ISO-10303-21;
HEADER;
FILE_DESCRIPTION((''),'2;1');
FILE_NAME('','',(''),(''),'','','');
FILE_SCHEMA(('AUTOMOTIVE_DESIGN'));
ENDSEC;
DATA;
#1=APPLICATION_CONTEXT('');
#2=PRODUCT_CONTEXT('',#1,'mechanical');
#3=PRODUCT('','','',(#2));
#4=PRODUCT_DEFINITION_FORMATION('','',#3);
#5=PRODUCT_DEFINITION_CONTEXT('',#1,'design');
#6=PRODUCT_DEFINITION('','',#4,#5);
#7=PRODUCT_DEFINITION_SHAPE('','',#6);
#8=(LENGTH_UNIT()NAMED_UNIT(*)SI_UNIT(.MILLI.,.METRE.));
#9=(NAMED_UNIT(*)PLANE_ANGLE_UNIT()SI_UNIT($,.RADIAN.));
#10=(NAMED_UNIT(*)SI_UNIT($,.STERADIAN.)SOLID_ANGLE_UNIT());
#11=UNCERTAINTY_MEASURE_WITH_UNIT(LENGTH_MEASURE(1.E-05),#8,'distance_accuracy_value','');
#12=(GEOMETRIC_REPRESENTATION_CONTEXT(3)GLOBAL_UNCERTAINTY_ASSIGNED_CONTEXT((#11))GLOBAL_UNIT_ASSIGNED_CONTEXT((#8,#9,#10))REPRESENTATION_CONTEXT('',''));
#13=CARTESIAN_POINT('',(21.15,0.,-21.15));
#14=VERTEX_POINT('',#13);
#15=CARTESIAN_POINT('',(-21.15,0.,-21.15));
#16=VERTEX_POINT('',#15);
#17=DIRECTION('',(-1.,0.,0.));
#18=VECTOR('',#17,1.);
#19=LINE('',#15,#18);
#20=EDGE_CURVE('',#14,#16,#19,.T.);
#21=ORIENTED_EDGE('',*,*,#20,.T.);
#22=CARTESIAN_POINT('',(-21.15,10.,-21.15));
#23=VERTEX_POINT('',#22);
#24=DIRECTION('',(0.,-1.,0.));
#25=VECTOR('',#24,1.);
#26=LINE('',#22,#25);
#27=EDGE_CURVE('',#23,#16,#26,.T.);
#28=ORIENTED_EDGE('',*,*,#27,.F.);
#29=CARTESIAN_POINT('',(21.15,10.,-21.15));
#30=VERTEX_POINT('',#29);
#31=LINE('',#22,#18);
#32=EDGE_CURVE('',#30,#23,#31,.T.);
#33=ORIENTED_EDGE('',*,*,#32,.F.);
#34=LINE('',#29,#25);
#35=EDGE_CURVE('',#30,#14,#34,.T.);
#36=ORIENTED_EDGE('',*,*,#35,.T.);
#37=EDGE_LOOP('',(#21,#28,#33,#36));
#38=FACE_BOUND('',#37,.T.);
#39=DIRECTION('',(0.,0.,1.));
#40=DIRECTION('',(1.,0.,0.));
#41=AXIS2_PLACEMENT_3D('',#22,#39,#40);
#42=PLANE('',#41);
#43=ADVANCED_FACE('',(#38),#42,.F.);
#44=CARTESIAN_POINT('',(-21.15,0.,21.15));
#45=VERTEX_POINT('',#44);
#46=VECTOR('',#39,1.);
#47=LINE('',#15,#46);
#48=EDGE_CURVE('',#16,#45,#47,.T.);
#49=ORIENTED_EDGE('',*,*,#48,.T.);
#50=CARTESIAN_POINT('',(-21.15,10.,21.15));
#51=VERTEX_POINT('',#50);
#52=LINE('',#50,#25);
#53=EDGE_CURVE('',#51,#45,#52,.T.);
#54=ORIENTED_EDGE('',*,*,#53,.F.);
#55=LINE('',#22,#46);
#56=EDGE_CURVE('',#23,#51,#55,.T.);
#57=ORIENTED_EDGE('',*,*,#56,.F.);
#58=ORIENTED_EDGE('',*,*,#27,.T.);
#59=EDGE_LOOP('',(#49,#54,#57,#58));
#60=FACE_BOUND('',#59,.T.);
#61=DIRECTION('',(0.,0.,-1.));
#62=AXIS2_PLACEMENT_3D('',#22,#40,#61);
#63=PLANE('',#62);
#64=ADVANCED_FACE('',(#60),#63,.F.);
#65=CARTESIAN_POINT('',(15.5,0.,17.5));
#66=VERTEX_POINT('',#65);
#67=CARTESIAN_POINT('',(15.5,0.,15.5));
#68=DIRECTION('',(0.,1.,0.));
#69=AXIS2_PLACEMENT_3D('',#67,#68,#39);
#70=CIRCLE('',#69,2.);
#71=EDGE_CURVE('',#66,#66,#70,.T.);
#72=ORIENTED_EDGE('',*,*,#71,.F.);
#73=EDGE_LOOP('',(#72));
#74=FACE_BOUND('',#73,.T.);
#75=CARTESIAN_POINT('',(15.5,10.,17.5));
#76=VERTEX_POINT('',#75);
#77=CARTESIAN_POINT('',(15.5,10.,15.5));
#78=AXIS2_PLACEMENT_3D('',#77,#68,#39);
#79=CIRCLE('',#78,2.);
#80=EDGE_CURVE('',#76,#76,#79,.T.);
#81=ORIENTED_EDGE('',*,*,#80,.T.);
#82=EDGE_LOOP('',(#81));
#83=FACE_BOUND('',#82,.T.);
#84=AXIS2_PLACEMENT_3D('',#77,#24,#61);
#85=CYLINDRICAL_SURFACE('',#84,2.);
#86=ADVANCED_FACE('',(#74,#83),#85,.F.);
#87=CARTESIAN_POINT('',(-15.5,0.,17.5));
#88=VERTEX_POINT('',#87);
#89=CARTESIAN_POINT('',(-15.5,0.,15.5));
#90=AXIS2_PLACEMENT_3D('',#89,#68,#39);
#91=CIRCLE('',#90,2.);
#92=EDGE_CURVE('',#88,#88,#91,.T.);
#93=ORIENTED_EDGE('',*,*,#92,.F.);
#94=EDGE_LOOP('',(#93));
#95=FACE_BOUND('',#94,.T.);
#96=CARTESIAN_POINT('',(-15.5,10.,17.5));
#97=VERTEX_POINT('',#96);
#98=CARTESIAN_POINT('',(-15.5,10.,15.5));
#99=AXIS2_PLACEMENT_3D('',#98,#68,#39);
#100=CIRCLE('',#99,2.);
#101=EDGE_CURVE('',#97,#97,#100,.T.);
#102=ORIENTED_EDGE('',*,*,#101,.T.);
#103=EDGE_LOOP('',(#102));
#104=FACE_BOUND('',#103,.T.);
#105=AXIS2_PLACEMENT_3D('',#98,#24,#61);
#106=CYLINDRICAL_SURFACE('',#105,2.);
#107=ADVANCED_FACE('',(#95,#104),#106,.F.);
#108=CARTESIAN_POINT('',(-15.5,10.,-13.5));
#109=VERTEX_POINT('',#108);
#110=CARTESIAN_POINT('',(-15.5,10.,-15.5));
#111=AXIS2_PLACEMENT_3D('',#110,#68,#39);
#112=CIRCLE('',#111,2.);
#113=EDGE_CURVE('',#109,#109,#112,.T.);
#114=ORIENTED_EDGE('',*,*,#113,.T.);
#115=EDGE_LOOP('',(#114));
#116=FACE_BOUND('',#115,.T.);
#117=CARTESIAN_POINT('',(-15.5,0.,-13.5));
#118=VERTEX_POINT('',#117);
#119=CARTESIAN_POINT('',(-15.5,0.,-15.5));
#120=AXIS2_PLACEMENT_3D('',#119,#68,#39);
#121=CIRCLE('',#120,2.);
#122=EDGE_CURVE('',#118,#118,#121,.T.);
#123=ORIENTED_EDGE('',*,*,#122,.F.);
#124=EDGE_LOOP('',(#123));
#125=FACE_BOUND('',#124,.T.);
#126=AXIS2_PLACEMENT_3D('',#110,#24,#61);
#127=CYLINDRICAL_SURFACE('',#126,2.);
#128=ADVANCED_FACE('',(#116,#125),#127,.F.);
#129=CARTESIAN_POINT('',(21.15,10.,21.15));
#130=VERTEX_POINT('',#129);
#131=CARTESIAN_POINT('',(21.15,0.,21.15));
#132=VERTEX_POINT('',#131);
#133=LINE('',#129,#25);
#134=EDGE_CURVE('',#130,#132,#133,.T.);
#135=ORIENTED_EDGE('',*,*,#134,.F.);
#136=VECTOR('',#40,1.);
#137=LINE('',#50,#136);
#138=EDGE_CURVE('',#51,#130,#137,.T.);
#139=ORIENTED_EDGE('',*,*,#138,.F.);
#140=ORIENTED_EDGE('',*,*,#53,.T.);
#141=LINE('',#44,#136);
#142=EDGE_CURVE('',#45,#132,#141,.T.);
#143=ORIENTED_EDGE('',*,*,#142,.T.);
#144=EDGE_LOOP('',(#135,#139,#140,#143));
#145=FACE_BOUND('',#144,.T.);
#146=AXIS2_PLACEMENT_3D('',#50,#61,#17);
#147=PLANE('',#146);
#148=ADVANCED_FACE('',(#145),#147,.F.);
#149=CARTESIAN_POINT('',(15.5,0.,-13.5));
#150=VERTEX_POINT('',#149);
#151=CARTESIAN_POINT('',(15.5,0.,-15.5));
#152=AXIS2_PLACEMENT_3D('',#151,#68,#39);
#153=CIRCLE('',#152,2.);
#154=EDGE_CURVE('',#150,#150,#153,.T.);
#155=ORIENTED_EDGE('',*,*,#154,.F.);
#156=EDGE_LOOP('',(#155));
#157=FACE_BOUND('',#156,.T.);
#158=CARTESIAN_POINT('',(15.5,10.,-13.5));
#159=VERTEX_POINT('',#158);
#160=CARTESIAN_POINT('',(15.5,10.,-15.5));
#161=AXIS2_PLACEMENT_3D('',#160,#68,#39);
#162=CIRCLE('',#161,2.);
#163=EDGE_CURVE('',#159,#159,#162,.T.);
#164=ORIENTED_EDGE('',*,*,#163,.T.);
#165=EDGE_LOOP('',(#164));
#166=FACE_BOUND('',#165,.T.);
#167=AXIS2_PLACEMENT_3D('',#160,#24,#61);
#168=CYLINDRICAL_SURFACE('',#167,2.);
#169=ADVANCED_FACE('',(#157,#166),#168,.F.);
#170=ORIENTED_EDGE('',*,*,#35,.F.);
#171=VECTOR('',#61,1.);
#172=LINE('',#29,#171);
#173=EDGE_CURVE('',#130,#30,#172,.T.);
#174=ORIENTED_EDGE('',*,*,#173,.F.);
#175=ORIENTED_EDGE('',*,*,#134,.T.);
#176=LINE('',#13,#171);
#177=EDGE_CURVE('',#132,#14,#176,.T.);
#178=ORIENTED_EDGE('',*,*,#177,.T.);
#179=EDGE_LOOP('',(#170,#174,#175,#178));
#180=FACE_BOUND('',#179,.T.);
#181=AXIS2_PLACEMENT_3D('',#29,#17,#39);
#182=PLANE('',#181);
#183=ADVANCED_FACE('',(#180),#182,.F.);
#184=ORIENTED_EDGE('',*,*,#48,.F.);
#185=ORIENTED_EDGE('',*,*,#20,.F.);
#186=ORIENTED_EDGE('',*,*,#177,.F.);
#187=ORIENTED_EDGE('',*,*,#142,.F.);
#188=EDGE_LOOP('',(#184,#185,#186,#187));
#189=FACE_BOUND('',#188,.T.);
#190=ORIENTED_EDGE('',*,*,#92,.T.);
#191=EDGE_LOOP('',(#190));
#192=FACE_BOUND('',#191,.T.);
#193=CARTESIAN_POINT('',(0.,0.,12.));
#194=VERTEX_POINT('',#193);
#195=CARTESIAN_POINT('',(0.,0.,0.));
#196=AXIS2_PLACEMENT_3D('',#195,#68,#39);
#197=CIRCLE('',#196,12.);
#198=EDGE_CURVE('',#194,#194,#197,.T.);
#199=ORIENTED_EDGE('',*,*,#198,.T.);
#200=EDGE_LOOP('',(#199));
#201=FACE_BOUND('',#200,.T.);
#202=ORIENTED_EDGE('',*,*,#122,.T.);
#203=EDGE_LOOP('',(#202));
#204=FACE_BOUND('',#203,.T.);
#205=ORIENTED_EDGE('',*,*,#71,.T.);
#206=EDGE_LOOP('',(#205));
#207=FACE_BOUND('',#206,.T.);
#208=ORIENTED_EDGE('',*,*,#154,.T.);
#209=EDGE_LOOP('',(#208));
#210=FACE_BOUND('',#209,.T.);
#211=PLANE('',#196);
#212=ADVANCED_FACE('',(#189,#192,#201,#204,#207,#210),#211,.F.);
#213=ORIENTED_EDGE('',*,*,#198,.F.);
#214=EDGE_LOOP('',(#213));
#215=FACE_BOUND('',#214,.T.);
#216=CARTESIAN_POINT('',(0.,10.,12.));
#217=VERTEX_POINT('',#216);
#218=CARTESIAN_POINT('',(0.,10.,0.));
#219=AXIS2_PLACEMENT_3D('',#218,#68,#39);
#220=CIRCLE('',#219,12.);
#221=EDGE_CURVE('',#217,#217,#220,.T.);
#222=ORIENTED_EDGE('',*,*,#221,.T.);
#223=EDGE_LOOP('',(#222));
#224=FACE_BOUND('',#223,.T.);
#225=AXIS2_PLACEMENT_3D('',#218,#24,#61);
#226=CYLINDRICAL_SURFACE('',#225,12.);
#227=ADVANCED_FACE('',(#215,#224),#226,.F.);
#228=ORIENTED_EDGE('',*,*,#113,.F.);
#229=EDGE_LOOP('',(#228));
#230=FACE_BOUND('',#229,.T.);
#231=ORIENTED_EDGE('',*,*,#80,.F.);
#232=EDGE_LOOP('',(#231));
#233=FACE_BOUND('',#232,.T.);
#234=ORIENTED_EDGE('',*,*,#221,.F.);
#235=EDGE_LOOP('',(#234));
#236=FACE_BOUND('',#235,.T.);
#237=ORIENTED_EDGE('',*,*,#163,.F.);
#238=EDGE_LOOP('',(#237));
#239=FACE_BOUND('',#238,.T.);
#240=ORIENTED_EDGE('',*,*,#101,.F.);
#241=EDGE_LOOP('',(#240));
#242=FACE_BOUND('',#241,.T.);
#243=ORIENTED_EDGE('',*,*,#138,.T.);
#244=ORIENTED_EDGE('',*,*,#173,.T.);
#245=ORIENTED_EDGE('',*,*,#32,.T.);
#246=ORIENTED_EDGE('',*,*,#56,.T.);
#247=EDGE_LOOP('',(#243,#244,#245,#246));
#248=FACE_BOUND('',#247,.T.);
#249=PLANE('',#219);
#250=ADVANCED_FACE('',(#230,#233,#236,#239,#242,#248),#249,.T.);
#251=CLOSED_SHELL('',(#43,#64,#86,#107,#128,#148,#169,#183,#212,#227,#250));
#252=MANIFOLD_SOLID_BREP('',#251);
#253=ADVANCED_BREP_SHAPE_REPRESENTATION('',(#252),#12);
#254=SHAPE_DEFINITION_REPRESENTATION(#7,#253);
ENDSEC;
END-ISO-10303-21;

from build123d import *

# Parameters (mm, degrees)
SKETCH1_W           = 42.3
SKETCH1_H           = 42.3
SKETCH1_R           = 2
SKETCH1_R_2         = 12
BOSS_EXTRUDE1_DEPTH = 10


with BuildPart() as part:
    # Sketch1 → Boss-Extrude1 (new body)
    with BuildSketch(Plane(origin=(0, 0, 0), x_dir=(1, 0, 0), z_dir=(0, 1, 0))):
        Rectangle(SKETCH1_W, SKETCH1_H)
        with Locations(Location((15.5, 15.5, 0), (0, 0, 270))):
            Circle(SKETCH1_R, mode=Mode.SUBTRACT)
        with Locations(Location((15.5, -15.5, 0), (0, 0, 270))):
            Circle(SKETCH1_R, mode=Mode.SUBTRACT)
        with Locations(Location((-15.5, 15.5, 0), (0, 0, 270))):
            Circle(SKETCH1_R, mode=Mode.SUBTRACT)
        with Locations(Location((-15.5, -15.5, 0), (0, 0, 270))):
            Circle(SKETCH1_R, mode=Mode.SUBTRACT)
        with Locations(Location((0, 0, 0), (0, 0, 270))):
            Circle(SKETCH1_R_2, mode=Mode.SUBTRACT)
    extrude(amount=BOSS_EXTRUDE1_DEPTH)


solid = part.part
